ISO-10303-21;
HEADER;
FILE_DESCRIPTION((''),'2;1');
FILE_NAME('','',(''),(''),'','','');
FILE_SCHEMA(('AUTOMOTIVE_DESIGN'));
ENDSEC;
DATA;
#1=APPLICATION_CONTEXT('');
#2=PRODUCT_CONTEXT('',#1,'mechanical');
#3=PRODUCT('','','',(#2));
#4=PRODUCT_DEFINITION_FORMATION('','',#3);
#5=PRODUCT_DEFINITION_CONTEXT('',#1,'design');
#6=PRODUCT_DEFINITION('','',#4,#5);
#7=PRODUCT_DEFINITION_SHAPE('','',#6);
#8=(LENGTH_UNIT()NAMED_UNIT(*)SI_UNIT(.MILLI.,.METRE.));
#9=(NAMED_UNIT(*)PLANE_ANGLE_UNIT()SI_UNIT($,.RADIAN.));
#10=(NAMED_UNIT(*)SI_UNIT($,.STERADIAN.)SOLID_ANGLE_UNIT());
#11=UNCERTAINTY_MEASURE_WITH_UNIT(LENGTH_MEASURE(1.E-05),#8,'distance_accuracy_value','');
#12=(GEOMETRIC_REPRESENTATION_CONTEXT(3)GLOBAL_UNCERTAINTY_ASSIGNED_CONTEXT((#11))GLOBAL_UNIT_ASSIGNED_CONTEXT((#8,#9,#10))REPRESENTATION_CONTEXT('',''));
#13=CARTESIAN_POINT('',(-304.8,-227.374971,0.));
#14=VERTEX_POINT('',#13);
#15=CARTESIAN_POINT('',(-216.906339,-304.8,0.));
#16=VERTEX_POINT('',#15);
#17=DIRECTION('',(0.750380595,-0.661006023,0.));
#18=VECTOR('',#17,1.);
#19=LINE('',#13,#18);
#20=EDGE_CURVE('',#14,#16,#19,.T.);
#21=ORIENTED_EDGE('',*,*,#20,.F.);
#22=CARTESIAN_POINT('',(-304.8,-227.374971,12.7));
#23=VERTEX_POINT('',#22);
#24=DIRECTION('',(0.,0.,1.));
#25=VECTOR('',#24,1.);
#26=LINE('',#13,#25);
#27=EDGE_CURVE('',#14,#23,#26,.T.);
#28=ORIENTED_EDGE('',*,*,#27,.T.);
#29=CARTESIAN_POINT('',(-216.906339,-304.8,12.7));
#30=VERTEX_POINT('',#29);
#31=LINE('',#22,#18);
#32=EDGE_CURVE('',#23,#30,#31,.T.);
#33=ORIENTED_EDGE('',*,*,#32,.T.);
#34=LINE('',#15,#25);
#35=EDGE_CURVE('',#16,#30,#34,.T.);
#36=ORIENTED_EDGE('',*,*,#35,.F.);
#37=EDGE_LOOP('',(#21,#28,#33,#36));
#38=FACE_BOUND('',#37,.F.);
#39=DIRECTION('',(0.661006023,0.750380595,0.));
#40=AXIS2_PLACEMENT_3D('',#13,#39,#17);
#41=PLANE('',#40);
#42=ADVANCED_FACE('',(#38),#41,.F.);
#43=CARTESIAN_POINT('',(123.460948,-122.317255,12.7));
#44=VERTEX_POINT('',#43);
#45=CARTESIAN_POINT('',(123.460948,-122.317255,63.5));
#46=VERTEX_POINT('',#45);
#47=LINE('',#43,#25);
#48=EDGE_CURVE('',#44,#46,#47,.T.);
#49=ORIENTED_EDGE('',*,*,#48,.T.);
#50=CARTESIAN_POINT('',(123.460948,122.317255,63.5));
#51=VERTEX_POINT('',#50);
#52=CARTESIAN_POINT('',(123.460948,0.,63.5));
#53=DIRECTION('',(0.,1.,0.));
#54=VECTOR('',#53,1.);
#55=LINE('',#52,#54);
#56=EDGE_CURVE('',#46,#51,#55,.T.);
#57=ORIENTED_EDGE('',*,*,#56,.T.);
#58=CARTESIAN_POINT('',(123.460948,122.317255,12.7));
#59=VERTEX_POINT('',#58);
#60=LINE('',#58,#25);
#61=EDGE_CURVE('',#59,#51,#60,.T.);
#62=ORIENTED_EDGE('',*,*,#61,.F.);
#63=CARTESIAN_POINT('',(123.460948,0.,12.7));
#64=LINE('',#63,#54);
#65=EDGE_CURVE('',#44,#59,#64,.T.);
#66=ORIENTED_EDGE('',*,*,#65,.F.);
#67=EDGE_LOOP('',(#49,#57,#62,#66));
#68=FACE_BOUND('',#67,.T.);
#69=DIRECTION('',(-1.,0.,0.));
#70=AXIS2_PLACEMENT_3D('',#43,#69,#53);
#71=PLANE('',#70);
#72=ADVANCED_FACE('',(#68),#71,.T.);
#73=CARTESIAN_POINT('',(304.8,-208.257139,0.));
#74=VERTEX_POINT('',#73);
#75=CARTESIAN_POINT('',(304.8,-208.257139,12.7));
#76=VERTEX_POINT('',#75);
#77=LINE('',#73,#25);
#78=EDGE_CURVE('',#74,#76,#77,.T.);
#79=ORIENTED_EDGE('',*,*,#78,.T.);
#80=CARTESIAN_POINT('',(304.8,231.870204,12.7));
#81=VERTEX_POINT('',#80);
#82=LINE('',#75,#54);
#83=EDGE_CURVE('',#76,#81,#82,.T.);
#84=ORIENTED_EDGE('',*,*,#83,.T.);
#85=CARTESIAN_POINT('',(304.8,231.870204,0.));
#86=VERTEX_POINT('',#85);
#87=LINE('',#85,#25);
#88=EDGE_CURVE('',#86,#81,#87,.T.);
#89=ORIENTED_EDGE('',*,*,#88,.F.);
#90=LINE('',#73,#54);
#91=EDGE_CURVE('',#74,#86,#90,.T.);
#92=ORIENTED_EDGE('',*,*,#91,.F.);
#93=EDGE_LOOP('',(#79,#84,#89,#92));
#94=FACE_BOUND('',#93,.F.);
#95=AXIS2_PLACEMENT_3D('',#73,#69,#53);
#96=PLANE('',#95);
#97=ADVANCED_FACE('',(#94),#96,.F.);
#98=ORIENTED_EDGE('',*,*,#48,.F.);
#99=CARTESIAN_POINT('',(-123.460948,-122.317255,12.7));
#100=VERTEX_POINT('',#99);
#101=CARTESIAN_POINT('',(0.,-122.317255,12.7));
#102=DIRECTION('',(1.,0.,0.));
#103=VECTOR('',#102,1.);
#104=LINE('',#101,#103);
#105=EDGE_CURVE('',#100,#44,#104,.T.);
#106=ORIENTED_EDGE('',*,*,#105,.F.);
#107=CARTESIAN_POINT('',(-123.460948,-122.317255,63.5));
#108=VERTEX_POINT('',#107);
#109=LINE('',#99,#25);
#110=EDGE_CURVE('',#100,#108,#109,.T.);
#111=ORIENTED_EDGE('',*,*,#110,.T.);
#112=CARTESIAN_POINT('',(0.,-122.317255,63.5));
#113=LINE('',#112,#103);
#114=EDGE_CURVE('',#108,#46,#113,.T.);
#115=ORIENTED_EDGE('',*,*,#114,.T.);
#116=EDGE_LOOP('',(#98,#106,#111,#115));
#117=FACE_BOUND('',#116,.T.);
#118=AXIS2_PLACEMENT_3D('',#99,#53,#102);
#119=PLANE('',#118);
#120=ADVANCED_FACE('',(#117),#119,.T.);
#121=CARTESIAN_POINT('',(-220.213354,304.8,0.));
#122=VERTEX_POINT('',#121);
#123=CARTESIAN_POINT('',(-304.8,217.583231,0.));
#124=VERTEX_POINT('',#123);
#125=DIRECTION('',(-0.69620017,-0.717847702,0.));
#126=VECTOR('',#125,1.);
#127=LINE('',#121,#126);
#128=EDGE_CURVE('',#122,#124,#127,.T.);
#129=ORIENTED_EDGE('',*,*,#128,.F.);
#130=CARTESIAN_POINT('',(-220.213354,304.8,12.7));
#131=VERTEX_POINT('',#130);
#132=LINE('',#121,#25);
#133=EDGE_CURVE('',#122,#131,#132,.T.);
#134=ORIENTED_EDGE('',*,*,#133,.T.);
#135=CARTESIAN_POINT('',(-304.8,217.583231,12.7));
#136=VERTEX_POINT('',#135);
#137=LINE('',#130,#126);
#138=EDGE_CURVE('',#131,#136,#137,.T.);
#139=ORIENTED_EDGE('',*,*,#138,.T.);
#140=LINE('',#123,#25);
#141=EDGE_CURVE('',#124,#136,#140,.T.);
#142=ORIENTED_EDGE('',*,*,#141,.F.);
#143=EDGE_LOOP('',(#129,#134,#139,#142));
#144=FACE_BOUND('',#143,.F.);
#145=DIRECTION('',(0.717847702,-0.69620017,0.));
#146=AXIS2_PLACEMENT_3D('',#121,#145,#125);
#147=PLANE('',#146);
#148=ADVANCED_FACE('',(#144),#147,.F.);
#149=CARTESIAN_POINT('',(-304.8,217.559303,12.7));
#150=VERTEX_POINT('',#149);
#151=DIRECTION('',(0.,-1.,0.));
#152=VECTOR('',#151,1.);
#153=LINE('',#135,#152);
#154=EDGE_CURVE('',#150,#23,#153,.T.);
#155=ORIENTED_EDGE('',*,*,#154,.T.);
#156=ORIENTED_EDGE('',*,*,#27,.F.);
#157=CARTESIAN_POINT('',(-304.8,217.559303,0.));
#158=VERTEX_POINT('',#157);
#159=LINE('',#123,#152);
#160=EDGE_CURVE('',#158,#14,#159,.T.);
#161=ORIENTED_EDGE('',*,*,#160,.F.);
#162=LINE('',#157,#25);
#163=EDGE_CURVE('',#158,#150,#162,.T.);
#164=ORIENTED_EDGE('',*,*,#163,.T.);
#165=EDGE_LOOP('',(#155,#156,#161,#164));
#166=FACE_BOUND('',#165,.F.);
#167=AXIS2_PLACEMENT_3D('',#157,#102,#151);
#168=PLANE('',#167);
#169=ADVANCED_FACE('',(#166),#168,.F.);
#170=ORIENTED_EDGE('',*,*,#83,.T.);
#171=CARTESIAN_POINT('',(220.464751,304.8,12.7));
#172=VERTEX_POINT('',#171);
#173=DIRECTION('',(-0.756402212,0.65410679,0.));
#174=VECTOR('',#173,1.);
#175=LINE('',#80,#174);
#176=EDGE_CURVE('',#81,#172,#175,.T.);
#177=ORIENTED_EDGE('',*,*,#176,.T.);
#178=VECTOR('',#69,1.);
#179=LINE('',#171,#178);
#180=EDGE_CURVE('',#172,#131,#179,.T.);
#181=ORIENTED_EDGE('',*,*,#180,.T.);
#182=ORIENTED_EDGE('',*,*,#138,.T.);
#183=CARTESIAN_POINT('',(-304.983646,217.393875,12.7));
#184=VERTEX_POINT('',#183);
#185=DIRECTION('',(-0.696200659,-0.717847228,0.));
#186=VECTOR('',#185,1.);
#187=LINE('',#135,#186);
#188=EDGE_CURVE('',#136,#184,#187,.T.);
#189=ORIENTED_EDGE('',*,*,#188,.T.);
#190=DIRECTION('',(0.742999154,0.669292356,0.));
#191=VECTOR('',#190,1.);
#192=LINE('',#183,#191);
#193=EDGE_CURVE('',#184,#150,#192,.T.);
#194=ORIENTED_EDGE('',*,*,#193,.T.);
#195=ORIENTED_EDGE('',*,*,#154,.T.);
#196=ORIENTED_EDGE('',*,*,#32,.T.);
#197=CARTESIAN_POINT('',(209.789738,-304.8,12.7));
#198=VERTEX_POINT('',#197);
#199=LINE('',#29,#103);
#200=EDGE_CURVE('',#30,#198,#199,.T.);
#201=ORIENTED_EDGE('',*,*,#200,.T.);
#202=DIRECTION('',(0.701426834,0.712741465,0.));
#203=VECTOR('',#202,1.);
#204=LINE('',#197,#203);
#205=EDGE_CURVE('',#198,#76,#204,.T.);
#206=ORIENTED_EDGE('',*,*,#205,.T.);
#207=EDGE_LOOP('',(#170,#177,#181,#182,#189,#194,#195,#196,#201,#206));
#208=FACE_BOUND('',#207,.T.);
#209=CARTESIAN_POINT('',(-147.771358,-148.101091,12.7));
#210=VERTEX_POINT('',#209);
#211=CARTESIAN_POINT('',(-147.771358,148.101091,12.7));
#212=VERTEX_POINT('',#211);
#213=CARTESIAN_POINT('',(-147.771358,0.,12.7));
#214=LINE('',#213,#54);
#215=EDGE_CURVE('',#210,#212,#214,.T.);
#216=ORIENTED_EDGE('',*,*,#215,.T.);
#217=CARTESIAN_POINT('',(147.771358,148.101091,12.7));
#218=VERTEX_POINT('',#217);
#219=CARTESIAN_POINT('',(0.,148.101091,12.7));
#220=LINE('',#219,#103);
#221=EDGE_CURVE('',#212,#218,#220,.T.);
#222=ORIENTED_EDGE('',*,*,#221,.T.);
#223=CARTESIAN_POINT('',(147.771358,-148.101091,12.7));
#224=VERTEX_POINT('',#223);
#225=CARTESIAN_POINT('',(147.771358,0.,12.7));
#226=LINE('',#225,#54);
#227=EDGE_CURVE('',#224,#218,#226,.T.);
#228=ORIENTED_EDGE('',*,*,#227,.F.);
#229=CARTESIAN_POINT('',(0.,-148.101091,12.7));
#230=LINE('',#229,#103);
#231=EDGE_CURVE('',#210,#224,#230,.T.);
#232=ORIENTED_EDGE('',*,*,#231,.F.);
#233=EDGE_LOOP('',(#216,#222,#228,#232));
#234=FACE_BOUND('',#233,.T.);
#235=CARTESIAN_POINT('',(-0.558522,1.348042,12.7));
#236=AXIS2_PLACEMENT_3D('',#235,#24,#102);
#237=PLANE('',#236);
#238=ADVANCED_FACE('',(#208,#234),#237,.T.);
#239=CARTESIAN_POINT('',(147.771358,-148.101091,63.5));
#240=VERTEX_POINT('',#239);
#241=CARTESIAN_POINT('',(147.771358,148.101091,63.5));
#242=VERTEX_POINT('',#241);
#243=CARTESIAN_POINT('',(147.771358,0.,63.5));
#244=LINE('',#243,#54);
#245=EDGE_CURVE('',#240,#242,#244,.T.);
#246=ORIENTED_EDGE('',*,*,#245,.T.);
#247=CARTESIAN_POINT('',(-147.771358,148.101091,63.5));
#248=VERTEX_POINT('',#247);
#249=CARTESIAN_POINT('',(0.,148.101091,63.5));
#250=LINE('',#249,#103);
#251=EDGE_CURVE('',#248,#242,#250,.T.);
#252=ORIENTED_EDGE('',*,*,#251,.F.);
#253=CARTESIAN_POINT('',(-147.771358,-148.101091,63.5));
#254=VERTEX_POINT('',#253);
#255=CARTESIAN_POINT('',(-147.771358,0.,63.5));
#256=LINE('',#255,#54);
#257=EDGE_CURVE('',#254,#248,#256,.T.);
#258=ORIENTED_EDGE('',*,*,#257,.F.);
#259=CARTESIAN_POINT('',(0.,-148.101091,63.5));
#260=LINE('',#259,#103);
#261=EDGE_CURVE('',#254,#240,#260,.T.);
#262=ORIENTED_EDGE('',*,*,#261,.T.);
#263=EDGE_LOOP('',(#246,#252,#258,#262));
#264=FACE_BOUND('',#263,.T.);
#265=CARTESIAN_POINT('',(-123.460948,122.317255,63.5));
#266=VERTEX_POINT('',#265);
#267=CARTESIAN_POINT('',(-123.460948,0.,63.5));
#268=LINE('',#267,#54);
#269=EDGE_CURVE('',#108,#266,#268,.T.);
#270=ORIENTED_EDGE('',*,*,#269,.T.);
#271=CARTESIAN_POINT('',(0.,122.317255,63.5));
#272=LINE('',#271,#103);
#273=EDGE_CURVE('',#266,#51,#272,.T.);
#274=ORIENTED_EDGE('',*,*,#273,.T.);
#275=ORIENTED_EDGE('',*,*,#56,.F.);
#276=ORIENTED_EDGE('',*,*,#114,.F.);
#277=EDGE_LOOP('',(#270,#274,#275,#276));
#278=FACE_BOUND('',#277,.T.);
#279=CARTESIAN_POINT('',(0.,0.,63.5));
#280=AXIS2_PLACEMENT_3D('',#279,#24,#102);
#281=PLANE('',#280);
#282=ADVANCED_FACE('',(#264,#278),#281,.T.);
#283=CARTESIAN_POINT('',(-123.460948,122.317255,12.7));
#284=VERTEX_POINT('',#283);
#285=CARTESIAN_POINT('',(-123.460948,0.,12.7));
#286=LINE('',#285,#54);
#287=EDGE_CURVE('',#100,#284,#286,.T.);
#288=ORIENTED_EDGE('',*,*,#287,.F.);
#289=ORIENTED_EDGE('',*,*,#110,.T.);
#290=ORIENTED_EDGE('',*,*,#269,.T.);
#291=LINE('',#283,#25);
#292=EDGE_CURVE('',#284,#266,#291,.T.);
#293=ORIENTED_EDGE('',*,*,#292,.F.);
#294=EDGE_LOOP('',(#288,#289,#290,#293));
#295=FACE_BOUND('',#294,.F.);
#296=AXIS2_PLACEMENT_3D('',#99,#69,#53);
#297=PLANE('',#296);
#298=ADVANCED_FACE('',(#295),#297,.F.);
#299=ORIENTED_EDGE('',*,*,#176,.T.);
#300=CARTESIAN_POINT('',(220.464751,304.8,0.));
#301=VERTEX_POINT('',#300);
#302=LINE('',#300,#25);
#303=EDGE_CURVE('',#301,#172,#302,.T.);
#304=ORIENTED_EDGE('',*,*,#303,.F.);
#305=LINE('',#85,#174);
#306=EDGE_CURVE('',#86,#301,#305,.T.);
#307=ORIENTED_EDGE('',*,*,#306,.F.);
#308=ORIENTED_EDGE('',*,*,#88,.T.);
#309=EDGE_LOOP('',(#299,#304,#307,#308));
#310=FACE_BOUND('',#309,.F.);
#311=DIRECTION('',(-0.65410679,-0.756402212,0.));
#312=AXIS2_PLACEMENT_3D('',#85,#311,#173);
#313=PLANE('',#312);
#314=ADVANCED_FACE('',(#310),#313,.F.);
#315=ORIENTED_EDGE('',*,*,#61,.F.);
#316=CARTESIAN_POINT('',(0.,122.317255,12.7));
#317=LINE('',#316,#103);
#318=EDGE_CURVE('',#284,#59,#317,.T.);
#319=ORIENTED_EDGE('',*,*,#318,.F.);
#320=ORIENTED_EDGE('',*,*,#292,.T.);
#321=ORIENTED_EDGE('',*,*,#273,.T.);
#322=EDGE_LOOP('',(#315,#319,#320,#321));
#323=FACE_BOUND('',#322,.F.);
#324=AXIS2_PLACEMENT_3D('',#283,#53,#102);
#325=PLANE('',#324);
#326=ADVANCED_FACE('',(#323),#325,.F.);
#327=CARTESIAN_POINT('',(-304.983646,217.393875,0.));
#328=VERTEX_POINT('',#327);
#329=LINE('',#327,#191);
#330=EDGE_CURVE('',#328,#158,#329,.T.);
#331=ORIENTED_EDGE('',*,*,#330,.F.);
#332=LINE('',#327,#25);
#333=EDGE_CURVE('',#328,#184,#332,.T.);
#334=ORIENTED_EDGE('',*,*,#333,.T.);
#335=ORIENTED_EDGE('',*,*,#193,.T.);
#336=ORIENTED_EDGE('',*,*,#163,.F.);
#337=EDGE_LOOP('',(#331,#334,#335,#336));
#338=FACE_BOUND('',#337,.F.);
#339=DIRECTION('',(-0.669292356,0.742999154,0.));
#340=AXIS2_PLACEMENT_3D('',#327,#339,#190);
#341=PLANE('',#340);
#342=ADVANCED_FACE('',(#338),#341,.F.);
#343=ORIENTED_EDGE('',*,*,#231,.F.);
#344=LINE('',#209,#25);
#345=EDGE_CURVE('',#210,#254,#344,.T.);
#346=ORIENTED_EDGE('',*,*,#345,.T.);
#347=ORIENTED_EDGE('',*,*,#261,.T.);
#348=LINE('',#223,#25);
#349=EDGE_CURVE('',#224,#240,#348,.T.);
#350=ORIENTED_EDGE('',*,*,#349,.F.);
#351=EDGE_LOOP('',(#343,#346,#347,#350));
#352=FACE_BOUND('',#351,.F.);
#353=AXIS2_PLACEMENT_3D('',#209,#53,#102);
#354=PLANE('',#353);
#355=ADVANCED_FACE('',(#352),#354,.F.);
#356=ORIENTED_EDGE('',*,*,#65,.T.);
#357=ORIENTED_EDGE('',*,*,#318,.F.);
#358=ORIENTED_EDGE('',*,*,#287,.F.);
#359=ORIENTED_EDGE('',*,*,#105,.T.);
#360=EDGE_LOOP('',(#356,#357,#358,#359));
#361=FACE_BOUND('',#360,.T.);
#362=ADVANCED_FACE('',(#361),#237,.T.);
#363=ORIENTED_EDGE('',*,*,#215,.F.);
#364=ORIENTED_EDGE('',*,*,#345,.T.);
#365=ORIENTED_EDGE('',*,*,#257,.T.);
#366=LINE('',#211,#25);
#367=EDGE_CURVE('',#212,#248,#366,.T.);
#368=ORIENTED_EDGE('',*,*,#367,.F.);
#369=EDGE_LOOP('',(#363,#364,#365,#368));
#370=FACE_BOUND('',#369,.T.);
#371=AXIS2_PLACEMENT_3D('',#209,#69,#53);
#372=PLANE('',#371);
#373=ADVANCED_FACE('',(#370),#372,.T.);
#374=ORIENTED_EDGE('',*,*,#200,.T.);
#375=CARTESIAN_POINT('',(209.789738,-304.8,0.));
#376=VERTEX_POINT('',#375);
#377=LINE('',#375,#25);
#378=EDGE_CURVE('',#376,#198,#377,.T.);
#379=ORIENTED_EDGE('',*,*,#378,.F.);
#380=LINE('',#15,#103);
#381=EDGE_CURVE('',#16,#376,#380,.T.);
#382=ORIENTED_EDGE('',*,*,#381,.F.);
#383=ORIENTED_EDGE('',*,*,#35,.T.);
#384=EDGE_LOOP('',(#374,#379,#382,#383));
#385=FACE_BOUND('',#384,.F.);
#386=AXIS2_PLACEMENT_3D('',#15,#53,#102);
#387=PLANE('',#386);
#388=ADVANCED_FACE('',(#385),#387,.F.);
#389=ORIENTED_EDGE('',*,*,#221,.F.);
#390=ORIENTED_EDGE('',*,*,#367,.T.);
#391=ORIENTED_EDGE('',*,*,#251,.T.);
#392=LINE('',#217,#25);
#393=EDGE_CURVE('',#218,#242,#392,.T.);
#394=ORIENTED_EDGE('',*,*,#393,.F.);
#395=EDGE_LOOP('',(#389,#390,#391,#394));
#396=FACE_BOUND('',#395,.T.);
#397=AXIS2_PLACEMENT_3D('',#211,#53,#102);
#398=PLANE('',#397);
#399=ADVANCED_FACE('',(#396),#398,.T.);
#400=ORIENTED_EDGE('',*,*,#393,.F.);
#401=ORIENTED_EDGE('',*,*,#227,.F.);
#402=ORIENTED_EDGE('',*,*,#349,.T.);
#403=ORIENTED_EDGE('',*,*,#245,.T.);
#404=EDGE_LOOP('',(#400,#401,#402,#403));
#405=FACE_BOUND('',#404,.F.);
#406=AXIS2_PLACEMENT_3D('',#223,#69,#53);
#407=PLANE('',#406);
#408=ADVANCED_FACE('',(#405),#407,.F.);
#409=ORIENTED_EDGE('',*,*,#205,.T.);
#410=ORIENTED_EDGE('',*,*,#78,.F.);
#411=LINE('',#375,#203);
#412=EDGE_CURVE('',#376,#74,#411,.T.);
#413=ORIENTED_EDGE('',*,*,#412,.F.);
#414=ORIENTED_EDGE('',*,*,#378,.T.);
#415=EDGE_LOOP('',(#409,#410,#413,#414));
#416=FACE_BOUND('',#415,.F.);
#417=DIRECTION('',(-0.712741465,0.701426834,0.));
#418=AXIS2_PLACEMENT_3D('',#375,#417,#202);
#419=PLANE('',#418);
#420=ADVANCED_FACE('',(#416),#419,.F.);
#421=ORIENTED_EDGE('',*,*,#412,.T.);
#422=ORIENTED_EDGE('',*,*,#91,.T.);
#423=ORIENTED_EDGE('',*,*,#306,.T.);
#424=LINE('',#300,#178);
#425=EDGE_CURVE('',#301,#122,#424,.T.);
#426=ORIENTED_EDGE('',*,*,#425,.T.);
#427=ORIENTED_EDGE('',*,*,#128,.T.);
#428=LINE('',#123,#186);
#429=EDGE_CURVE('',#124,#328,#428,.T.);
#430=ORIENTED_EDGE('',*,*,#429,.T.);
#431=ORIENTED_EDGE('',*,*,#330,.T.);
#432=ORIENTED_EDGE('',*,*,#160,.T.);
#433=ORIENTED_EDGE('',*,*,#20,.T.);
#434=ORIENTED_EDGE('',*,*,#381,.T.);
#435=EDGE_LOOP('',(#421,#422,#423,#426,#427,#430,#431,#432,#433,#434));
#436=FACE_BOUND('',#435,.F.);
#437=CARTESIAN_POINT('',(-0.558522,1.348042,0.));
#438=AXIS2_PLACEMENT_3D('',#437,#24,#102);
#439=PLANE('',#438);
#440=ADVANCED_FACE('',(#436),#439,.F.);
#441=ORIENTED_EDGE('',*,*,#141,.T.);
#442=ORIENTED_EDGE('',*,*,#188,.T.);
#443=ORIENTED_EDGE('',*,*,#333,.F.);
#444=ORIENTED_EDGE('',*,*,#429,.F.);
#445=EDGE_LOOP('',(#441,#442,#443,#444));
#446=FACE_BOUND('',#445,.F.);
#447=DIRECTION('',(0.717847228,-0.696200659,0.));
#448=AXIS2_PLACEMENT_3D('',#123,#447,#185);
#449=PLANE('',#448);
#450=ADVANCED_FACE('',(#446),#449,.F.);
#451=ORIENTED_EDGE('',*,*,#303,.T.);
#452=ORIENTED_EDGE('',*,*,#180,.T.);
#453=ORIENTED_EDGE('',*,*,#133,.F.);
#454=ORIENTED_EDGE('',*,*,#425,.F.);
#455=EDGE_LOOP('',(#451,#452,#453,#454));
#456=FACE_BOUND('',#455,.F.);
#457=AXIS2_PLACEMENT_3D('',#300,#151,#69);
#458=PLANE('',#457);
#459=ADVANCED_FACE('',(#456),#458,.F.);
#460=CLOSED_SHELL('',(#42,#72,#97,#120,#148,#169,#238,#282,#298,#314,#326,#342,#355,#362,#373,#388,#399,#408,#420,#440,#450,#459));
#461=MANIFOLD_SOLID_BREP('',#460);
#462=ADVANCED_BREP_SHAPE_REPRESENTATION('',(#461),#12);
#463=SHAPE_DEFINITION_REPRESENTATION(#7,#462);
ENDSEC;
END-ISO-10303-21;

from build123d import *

# Parameters (mm, degrees)
F1_DEPTH = 12.7
F3_W     = 295.542716
F3_H     = 296.202182
F3_W_2   = 246.921896
F3_H_2   = 244.63451
F4_DEPTH = 50.8


with BuildPart() as f1:
    # F0 (on Top) → F1 (new body)
    with BuildSketch(Plane.XY):
        Polygon((304.8, 231.870204), (220.464751, 304.8), (-220.213354, 304.8), (-304.8, 217.583231), (-304.8, 217.559303), (-304.8, -227.374971), (-216.906339, -304.8), (209.789738, -304.8), (304.8, -208.257139), align=None)
        Polygon((-304.8, 217.559303), (-304.8, 217.583231), (-304.983646, 217.393875), align=None)
    extrude(amount=F1_DEPTH)

    # F3 (on face) → F4 (join)
    with BuildSketch(Plane.XY.offset(12.7)):
        Rectangle(F3_W, F3_H)
        Rectangle(F3_W_2, F3_H_2, mode=Mode.SUBTRACT)
    extrude(amount=F4_DEPTH)


solid = f1.part
